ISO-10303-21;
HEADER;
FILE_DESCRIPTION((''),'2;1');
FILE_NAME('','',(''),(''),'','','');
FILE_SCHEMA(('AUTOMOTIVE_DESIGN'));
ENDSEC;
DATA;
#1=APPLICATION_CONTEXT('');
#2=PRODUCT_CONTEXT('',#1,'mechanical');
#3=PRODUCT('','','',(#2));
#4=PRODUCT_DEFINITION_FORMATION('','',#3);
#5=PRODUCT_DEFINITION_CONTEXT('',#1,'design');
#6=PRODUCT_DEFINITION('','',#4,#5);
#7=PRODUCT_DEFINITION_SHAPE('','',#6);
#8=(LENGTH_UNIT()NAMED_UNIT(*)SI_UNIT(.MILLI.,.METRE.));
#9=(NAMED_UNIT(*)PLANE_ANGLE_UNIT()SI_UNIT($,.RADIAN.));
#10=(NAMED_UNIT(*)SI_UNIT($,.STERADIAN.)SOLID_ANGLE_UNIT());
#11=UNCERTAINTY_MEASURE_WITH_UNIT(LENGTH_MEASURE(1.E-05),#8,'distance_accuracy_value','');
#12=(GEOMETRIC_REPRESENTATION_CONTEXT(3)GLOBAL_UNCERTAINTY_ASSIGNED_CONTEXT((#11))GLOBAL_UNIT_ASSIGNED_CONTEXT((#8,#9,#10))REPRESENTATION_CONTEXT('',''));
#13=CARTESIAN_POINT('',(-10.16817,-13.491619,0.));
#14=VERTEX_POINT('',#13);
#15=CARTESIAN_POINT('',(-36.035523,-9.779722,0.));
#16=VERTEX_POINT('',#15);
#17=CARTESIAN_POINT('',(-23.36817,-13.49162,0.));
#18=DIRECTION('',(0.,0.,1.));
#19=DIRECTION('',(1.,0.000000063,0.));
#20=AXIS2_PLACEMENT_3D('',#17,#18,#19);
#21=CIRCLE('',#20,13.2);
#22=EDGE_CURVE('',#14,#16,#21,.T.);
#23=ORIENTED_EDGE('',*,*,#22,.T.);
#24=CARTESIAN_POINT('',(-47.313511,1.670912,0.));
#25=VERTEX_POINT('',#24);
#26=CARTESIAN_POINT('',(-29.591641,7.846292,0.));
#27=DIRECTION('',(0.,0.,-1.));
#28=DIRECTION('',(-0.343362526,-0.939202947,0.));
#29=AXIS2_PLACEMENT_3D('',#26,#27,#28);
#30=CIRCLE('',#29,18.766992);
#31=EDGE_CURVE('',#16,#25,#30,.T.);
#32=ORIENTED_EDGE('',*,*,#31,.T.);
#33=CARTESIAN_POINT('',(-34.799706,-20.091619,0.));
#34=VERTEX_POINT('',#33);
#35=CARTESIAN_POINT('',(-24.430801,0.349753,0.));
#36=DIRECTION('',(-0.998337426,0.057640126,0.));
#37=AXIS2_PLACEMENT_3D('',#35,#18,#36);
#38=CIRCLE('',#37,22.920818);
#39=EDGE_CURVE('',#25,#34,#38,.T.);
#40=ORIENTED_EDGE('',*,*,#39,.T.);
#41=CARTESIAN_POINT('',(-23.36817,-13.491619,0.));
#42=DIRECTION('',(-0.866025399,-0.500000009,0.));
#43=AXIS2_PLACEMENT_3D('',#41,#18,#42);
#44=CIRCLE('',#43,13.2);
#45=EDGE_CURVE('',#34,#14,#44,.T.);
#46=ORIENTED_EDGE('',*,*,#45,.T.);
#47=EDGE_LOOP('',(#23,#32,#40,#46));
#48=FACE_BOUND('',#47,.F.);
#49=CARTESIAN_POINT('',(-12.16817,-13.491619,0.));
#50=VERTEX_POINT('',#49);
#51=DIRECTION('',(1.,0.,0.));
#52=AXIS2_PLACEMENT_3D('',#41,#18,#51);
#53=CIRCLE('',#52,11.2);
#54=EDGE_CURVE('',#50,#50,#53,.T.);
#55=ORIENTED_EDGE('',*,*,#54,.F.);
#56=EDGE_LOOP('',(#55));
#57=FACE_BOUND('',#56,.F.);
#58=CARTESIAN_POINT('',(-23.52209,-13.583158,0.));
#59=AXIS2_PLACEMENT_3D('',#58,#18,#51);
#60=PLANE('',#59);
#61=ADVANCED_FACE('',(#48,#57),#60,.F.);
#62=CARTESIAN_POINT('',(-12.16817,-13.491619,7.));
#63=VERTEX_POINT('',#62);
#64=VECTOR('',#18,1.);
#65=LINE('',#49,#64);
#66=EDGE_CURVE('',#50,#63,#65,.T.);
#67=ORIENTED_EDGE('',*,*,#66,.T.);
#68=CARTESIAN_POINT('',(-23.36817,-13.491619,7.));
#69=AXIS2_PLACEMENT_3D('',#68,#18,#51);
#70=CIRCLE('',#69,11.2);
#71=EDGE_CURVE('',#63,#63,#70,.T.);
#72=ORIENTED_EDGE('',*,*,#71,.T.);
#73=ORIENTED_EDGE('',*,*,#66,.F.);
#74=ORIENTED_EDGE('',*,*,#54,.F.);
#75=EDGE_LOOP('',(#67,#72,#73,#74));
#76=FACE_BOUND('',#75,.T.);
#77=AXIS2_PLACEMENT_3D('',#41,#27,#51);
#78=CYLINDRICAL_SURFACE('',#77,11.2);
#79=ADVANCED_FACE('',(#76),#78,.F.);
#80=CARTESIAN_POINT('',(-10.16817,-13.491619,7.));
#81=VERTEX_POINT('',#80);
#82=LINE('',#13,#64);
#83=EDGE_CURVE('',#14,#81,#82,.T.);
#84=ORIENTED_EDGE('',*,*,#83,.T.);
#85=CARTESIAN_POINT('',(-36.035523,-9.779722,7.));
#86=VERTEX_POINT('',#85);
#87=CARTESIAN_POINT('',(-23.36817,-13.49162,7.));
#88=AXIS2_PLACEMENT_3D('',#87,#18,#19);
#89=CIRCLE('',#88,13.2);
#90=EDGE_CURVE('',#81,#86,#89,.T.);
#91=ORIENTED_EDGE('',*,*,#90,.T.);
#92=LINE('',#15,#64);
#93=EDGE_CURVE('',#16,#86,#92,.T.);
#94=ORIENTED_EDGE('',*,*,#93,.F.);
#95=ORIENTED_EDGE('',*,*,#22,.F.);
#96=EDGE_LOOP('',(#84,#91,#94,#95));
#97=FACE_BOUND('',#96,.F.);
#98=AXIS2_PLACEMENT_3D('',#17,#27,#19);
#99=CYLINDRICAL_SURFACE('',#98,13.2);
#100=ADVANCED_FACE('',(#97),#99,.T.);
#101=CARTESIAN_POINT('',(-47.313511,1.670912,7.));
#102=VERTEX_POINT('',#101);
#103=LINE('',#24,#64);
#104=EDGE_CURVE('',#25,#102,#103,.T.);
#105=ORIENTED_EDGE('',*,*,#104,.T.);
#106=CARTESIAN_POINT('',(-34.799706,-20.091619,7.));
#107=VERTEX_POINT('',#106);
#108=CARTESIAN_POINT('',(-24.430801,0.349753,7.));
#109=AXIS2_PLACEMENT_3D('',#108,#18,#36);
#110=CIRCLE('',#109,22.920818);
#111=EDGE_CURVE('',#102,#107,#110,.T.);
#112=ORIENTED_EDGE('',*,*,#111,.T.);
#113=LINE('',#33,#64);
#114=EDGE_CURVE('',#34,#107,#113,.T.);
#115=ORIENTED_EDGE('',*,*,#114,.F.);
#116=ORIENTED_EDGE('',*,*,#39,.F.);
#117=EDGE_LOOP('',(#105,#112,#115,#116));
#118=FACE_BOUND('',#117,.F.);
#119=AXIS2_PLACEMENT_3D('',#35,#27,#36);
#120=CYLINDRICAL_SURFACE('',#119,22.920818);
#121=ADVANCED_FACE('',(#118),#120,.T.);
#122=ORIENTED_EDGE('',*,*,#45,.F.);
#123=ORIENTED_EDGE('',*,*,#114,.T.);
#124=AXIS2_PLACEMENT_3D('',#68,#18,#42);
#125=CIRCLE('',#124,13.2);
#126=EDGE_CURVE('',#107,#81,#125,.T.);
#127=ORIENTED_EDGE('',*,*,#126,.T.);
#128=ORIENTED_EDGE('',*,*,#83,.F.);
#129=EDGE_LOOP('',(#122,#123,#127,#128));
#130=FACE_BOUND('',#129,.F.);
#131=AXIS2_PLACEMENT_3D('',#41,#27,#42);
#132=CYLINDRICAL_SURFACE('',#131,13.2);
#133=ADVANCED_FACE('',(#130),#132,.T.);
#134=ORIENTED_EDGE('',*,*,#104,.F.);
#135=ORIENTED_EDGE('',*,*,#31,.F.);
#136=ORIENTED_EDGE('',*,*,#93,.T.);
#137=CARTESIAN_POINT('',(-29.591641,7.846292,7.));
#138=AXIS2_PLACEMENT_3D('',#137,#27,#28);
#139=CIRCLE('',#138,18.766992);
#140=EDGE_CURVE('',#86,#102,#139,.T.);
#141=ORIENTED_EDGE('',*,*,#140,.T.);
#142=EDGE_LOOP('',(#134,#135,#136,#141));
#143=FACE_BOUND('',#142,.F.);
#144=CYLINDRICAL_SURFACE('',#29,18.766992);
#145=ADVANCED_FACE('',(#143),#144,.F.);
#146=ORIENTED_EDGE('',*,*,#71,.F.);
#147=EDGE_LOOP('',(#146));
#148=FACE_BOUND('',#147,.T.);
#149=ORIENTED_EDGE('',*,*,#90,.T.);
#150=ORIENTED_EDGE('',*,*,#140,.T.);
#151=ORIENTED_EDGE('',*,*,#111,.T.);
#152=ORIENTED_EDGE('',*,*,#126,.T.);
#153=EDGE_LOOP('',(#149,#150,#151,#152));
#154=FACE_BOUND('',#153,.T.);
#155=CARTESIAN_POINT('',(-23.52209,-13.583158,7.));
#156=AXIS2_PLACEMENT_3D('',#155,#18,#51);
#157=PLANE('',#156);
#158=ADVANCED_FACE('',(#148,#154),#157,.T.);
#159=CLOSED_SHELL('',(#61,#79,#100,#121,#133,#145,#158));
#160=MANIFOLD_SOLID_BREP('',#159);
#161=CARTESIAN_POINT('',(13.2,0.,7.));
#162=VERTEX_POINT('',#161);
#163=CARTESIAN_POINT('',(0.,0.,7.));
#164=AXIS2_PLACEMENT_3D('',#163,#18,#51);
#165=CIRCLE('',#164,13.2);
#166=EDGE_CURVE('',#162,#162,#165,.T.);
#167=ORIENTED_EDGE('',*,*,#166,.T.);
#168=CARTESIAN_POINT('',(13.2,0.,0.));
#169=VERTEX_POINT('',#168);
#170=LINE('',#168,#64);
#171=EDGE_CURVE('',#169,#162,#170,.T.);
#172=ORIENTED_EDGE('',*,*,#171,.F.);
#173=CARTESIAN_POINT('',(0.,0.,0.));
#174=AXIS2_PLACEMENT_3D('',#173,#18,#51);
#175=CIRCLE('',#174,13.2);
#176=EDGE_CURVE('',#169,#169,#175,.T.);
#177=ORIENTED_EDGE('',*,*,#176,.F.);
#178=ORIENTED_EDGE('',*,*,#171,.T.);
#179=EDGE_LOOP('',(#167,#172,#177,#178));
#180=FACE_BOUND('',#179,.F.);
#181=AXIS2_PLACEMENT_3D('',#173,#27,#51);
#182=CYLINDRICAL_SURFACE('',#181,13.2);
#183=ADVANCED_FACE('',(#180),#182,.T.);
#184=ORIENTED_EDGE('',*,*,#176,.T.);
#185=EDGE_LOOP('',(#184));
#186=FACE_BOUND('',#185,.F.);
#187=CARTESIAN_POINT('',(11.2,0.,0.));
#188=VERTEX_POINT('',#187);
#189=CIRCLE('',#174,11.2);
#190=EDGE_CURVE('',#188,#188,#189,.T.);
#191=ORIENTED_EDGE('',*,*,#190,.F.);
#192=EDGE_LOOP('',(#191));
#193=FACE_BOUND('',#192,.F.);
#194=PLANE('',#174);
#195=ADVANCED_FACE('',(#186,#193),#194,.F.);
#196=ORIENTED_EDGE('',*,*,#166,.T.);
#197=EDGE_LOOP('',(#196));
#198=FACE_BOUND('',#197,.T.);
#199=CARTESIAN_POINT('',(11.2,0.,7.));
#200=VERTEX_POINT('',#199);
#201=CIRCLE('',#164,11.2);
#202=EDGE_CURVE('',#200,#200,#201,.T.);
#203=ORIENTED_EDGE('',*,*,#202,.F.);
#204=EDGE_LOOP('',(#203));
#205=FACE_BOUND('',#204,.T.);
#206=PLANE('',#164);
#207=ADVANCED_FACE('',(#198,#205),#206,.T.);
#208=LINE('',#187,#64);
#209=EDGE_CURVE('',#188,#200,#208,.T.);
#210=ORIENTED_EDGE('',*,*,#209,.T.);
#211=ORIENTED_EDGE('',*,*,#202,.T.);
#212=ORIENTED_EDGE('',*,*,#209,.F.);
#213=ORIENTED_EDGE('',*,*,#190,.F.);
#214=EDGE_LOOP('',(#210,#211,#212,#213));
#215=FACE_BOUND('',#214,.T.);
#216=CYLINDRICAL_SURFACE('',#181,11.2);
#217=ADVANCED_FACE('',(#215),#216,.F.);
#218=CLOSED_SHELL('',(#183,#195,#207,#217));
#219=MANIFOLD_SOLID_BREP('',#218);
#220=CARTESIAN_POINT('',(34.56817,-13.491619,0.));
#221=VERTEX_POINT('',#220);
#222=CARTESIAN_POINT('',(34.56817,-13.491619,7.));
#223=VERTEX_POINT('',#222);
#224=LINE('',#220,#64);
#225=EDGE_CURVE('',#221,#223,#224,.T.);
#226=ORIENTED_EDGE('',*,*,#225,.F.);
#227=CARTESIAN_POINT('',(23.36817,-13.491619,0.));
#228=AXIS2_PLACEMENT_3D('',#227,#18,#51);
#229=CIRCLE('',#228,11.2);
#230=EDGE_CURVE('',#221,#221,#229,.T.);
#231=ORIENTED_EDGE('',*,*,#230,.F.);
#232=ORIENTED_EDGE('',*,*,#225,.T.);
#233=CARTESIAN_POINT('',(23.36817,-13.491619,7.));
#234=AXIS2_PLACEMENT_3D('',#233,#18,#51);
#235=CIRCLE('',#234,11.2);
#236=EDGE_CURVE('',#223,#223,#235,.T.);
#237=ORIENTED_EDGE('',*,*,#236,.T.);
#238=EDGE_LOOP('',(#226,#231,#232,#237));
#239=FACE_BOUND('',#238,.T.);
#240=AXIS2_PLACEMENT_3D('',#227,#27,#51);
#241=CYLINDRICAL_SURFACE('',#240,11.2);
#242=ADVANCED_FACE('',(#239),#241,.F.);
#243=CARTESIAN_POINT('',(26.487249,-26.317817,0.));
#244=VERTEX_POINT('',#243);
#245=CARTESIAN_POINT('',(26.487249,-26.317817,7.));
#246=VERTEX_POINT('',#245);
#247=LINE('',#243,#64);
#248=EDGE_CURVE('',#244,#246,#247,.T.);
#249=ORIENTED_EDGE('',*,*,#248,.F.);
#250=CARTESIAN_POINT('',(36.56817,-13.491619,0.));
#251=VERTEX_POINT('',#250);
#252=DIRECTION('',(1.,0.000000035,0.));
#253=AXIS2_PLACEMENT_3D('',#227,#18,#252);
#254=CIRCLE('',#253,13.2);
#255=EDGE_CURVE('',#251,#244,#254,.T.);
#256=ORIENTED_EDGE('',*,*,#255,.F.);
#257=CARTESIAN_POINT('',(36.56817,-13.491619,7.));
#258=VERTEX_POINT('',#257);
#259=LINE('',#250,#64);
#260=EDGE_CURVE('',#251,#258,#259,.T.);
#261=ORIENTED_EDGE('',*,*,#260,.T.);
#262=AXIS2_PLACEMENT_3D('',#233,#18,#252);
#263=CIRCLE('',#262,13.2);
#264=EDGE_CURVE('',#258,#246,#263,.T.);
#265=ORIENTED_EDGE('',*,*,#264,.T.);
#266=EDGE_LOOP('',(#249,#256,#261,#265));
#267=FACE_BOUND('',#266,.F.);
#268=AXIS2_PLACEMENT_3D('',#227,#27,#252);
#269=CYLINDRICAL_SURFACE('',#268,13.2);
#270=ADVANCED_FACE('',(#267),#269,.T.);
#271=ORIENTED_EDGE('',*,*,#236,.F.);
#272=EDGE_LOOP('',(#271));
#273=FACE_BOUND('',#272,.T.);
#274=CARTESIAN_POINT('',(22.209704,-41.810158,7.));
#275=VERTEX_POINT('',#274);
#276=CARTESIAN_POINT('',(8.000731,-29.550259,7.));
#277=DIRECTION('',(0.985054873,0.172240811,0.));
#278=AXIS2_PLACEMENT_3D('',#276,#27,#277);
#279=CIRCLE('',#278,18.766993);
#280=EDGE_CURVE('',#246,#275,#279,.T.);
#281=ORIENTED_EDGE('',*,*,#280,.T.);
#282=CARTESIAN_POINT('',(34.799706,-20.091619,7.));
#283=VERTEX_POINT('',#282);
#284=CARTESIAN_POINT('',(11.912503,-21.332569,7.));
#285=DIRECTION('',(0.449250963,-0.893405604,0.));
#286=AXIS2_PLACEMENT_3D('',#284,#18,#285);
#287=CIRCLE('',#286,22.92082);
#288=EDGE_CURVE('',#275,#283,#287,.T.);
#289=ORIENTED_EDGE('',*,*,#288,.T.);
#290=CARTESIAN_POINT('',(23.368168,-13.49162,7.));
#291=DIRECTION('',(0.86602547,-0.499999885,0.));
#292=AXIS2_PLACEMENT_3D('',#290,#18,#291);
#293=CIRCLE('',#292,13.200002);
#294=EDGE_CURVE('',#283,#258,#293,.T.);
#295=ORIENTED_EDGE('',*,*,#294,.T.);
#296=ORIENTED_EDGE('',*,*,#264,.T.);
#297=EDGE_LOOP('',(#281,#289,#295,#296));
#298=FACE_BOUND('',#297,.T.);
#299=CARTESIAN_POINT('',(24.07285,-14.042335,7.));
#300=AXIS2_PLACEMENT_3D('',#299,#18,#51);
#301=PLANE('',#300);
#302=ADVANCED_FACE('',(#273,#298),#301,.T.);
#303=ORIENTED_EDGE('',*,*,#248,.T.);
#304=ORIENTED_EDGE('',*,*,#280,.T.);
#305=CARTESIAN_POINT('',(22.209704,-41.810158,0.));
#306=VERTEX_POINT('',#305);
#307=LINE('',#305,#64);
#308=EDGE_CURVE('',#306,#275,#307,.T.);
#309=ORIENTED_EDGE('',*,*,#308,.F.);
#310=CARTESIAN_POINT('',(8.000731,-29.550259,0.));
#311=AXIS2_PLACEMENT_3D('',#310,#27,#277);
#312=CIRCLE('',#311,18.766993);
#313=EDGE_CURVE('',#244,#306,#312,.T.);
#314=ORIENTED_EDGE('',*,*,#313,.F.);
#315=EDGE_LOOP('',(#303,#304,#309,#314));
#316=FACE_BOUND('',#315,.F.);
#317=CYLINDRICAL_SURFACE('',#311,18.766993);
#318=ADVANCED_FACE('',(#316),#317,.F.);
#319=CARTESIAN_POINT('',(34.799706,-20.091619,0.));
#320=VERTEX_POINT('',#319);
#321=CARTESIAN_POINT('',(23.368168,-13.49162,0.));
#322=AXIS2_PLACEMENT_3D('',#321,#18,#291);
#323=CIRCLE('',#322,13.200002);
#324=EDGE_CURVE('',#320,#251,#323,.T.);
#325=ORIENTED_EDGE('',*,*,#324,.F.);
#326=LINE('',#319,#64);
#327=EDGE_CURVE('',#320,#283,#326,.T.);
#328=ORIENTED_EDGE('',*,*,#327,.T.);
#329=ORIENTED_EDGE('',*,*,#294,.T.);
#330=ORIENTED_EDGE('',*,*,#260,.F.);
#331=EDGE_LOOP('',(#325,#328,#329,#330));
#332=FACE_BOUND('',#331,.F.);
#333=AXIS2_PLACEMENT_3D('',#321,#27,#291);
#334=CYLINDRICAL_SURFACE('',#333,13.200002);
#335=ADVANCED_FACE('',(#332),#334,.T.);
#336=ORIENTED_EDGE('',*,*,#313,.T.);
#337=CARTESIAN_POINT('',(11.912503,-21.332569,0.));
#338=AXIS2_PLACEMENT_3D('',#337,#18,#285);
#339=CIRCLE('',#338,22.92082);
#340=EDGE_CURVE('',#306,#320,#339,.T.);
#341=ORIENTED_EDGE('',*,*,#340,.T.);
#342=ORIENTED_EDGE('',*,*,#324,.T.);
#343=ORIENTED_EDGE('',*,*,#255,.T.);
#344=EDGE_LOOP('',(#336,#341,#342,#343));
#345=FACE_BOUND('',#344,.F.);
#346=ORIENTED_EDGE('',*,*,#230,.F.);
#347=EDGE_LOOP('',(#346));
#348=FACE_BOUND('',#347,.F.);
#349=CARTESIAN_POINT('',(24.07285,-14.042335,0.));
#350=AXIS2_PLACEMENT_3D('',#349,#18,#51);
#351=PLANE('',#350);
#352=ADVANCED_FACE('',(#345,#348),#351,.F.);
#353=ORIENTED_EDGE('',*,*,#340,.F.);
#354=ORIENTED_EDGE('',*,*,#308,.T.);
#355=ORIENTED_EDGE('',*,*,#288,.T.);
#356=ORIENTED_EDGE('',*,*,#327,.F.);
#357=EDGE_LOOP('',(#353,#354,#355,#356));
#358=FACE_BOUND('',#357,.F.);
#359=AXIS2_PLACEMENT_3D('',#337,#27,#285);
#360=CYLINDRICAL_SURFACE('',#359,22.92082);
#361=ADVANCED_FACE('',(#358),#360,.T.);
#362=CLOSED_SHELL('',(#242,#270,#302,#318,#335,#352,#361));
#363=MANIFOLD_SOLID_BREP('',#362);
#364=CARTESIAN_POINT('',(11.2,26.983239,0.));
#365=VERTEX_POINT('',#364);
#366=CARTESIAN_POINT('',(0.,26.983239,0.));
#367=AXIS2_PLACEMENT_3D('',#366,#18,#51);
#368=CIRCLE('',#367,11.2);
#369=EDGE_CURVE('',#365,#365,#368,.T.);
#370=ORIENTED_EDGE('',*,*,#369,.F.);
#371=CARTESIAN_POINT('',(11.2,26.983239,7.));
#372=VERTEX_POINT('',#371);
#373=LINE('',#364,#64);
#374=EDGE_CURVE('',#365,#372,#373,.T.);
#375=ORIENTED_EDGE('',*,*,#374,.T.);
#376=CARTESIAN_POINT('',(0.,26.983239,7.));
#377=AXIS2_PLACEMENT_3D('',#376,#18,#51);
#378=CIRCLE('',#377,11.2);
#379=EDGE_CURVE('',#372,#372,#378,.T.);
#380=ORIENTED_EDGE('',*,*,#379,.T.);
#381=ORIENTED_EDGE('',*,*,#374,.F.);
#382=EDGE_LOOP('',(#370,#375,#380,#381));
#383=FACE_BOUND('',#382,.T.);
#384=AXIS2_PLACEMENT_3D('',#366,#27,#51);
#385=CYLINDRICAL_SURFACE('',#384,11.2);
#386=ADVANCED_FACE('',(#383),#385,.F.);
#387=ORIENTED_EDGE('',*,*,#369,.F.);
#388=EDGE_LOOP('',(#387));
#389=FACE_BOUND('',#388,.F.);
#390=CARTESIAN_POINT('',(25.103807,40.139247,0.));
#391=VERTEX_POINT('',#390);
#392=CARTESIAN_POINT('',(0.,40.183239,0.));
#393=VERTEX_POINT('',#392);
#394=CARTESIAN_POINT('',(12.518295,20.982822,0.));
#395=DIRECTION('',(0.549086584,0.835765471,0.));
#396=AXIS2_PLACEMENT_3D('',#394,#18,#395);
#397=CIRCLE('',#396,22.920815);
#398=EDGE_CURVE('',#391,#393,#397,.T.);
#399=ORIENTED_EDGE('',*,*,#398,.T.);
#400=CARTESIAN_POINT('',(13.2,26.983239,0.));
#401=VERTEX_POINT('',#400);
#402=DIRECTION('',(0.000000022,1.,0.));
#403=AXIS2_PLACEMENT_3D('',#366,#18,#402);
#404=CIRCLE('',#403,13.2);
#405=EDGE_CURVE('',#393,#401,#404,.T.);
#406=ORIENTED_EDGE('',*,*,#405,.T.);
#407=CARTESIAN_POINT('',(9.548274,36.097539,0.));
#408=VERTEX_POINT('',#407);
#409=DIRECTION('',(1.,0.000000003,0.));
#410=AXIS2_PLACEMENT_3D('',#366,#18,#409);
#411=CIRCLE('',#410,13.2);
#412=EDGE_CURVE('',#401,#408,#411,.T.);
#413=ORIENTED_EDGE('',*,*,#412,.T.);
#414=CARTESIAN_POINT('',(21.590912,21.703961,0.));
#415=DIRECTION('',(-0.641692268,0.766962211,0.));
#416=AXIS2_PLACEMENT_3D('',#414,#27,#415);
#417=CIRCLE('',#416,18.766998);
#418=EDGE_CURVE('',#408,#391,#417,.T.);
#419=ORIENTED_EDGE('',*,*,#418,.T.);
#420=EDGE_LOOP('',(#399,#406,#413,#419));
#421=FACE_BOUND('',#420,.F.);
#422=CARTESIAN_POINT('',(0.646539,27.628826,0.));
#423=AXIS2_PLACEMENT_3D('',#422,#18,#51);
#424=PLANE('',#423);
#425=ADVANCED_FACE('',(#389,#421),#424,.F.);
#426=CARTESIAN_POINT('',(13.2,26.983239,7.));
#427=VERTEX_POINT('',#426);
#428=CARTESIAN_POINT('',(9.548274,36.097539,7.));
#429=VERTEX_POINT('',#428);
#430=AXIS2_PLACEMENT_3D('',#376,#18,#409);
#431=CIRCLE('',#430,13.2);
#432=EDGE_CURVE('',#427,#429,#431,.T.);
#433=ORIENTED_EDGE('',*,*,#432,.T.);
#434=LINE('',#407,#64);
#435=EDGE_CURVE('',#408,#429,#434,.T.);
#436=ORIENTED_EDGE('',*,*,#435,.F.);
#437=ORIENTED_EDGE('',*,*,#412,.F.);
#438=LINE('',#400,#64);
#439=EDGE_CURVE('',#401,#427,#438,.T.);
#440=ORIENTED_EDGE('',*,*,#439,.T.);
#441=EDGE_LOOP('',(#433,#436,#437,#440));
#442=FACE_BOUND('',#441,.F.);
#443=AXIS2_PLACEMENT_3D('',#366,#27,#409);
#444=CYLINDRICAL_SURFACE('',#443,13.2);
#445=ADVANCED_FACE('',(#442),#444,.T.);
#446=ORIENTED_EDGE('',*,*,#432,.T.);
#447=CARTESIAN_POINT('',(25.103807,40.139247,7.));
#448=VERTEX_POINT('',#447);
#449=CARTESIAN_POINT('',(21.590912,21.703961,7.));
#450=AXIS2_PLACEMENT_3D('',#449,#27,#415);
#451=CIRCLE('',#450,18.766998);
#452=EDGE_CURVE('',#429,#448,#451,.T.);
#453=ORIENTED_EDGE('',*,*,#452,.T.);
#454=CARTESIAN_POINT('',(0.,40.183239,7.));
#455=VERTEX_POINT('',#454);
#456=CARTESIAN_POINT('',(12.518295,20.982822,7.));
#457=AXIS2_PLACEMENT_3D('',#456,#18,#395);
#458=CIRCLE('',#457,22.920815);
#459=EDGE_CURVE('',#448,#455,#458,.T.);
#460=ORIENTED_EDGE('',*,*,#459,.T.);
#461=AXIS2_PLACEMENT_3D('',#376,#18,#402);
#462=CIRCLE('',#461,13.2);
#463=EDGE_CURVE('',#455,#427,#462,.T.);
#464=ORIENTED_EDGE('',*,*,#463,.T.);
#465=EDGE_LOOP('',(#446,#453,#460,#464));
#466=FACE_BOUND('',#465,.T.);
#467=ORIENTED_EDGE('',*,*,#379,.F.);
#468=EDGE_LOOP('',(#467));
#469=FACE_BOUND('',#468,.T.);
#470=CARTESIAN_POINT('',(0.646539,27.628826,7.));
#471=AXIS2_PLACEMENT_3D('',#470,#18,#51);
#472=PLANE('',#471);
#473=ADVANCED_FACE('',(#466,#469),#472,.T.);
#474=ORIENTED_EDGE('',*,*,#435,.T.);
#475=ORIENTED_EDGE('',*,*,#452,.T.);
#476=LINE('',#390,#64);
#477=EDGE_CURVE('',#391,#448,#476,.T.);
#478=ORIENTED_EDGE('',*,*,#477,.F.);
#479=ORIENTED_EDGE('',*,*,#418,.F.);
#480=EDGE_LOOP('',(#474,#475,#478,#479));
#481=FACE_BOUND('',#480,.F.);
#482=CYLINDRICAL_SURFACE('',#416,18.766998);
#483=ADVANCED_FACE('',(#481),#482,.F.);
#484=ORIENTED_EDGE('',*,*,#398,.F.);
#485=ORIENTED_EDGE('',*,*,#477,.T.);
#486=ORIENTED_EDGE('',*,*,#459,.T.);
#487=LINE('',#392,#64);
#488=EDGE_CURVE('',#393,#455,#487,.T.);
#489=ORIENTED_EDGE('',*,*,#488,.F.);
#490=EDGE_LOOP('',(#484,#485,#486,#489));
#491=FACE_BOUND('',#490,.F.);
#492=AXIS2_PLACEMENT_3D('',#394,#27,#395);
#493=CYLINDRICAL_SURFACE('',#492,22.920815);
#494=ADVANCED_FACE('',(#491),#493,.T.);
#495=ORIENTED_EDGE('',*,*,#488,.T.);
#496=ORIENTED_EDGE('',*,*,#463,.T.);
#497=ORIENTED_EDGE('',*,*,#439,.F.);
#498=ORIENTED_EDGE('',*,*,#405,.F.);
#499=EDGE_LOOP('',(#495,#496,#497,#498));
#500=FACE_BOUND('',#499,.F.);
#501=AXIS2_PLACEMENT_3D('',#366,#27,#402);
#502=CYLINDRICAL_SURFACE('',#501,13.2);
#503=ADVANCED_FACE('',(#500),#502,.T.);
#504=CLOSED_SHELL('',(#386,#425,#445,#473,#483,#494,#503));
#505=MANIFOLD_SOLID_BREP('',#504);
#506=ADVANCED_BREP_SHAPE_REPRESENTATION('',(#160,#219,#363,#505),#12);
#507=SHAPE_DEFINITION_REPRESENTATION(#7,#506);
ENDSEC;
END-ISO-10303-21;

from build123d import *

# Parameters (mm, degrees)
F0_R     = 11.2
F0_R_2   = 13.2
F1_DEPTH = 7


with BuildPart() as f1:
    # F0 (on Top) → F1 (new body)
    with BuildSketch(Plane.XY):
        with BuildLine():
            ThreePointArc((0, 40.183239), (-9.33381, 17.649429), (13.2, 26.983239))
            ThreePointArc((13.2, 26.983239), (12.253106, 31.892556), (9.548274, 36.097539))
            ThreePointArc((9.548274, 36.097539), (5.192843, 39.118904), (0, 40.183239))
        make_face()
        with Locations((0, 26.983239)):
            Circle(F0_R, mode=Mode.SUBTRACT)
        with BuildLine():
            ThreePointArc((34.799706, -20.091619), (36.118391, -16.908031), (36.56817, -13.491619))
            ThreePointArc((36.56817, -13.491619), (12.990024, -5.334777), (26.487249, -26.317817))
            ThreePointArc((26.487249, -26.317817), (31.281543, -24.056586), (34.799706, -20.091619))
        make_face()
        with Locations((23.36817, -13.491619)):
            Circle(F0_R, mode=Mode.SUBTRACT)
        with BuildLine():
            ThreePointArc((0, 40.183239), (5.192843, 39.118904), (9.548274, 36.097539))
            ThreePointArc((9.548274, 36.097539), (16.871486, 39.86786), (25.103807, 40.139247))
            ThreePointArc((25.103807, 40.139247), (12.558462, 43.903601), (0, 40.183239))
        make_face()
        with BuildLine():
            ThreePointArc((-34.799706, -20.091619), (-19.951759, -26.24184), (-10.16817, -13.491619))
            ThreePointArc((-10.16817, -13.491619), (-21.49321, -0.42546), (-36.035523, -9.779722))
            ThreePointArc((-36.035523, -9.779722), (-36.474387, -15.062318), (-34.799706, -20.091619))
        make_face()
        with Locations((-23.36817, -13.491619)):
            Circle(F0_R, mode=Mode.SUBTRACT)
        with BuildLine():
            ThreePointArc((-34.799706, -20.091619), (-36.474387, -15.062318), (-36.035523, -9.779722))
            ThreePointArc((-36.035523, -9.779722), (-42.962323, -5.322795), (-47.313511, 1.670912))
            ThreePointArc((-47.313511, 1.670912), (-44.300864, -11.075853), (-34.799706, -20.091619))
        make_face()
        with BuildLine():
            ThreePointArc((34.799706, -20.091619), (31.281543, -24.056586), (26.487249, -26.317817))
            ThreePointArc((26.487249, -26.317817), (26.090837, -34.545066), (22.209704, -41.810158))
            ThreePointArc((22.209704, -41.810158), (31.742402, -32.827747), (34.799706, -20.091619))
        make_face()
        Circle(F0_R_2)
        Circle(F0_R, mode=Mode.SUBTRACT)
    extrude(amount=F1_DEPTH)


solid = f1.part
